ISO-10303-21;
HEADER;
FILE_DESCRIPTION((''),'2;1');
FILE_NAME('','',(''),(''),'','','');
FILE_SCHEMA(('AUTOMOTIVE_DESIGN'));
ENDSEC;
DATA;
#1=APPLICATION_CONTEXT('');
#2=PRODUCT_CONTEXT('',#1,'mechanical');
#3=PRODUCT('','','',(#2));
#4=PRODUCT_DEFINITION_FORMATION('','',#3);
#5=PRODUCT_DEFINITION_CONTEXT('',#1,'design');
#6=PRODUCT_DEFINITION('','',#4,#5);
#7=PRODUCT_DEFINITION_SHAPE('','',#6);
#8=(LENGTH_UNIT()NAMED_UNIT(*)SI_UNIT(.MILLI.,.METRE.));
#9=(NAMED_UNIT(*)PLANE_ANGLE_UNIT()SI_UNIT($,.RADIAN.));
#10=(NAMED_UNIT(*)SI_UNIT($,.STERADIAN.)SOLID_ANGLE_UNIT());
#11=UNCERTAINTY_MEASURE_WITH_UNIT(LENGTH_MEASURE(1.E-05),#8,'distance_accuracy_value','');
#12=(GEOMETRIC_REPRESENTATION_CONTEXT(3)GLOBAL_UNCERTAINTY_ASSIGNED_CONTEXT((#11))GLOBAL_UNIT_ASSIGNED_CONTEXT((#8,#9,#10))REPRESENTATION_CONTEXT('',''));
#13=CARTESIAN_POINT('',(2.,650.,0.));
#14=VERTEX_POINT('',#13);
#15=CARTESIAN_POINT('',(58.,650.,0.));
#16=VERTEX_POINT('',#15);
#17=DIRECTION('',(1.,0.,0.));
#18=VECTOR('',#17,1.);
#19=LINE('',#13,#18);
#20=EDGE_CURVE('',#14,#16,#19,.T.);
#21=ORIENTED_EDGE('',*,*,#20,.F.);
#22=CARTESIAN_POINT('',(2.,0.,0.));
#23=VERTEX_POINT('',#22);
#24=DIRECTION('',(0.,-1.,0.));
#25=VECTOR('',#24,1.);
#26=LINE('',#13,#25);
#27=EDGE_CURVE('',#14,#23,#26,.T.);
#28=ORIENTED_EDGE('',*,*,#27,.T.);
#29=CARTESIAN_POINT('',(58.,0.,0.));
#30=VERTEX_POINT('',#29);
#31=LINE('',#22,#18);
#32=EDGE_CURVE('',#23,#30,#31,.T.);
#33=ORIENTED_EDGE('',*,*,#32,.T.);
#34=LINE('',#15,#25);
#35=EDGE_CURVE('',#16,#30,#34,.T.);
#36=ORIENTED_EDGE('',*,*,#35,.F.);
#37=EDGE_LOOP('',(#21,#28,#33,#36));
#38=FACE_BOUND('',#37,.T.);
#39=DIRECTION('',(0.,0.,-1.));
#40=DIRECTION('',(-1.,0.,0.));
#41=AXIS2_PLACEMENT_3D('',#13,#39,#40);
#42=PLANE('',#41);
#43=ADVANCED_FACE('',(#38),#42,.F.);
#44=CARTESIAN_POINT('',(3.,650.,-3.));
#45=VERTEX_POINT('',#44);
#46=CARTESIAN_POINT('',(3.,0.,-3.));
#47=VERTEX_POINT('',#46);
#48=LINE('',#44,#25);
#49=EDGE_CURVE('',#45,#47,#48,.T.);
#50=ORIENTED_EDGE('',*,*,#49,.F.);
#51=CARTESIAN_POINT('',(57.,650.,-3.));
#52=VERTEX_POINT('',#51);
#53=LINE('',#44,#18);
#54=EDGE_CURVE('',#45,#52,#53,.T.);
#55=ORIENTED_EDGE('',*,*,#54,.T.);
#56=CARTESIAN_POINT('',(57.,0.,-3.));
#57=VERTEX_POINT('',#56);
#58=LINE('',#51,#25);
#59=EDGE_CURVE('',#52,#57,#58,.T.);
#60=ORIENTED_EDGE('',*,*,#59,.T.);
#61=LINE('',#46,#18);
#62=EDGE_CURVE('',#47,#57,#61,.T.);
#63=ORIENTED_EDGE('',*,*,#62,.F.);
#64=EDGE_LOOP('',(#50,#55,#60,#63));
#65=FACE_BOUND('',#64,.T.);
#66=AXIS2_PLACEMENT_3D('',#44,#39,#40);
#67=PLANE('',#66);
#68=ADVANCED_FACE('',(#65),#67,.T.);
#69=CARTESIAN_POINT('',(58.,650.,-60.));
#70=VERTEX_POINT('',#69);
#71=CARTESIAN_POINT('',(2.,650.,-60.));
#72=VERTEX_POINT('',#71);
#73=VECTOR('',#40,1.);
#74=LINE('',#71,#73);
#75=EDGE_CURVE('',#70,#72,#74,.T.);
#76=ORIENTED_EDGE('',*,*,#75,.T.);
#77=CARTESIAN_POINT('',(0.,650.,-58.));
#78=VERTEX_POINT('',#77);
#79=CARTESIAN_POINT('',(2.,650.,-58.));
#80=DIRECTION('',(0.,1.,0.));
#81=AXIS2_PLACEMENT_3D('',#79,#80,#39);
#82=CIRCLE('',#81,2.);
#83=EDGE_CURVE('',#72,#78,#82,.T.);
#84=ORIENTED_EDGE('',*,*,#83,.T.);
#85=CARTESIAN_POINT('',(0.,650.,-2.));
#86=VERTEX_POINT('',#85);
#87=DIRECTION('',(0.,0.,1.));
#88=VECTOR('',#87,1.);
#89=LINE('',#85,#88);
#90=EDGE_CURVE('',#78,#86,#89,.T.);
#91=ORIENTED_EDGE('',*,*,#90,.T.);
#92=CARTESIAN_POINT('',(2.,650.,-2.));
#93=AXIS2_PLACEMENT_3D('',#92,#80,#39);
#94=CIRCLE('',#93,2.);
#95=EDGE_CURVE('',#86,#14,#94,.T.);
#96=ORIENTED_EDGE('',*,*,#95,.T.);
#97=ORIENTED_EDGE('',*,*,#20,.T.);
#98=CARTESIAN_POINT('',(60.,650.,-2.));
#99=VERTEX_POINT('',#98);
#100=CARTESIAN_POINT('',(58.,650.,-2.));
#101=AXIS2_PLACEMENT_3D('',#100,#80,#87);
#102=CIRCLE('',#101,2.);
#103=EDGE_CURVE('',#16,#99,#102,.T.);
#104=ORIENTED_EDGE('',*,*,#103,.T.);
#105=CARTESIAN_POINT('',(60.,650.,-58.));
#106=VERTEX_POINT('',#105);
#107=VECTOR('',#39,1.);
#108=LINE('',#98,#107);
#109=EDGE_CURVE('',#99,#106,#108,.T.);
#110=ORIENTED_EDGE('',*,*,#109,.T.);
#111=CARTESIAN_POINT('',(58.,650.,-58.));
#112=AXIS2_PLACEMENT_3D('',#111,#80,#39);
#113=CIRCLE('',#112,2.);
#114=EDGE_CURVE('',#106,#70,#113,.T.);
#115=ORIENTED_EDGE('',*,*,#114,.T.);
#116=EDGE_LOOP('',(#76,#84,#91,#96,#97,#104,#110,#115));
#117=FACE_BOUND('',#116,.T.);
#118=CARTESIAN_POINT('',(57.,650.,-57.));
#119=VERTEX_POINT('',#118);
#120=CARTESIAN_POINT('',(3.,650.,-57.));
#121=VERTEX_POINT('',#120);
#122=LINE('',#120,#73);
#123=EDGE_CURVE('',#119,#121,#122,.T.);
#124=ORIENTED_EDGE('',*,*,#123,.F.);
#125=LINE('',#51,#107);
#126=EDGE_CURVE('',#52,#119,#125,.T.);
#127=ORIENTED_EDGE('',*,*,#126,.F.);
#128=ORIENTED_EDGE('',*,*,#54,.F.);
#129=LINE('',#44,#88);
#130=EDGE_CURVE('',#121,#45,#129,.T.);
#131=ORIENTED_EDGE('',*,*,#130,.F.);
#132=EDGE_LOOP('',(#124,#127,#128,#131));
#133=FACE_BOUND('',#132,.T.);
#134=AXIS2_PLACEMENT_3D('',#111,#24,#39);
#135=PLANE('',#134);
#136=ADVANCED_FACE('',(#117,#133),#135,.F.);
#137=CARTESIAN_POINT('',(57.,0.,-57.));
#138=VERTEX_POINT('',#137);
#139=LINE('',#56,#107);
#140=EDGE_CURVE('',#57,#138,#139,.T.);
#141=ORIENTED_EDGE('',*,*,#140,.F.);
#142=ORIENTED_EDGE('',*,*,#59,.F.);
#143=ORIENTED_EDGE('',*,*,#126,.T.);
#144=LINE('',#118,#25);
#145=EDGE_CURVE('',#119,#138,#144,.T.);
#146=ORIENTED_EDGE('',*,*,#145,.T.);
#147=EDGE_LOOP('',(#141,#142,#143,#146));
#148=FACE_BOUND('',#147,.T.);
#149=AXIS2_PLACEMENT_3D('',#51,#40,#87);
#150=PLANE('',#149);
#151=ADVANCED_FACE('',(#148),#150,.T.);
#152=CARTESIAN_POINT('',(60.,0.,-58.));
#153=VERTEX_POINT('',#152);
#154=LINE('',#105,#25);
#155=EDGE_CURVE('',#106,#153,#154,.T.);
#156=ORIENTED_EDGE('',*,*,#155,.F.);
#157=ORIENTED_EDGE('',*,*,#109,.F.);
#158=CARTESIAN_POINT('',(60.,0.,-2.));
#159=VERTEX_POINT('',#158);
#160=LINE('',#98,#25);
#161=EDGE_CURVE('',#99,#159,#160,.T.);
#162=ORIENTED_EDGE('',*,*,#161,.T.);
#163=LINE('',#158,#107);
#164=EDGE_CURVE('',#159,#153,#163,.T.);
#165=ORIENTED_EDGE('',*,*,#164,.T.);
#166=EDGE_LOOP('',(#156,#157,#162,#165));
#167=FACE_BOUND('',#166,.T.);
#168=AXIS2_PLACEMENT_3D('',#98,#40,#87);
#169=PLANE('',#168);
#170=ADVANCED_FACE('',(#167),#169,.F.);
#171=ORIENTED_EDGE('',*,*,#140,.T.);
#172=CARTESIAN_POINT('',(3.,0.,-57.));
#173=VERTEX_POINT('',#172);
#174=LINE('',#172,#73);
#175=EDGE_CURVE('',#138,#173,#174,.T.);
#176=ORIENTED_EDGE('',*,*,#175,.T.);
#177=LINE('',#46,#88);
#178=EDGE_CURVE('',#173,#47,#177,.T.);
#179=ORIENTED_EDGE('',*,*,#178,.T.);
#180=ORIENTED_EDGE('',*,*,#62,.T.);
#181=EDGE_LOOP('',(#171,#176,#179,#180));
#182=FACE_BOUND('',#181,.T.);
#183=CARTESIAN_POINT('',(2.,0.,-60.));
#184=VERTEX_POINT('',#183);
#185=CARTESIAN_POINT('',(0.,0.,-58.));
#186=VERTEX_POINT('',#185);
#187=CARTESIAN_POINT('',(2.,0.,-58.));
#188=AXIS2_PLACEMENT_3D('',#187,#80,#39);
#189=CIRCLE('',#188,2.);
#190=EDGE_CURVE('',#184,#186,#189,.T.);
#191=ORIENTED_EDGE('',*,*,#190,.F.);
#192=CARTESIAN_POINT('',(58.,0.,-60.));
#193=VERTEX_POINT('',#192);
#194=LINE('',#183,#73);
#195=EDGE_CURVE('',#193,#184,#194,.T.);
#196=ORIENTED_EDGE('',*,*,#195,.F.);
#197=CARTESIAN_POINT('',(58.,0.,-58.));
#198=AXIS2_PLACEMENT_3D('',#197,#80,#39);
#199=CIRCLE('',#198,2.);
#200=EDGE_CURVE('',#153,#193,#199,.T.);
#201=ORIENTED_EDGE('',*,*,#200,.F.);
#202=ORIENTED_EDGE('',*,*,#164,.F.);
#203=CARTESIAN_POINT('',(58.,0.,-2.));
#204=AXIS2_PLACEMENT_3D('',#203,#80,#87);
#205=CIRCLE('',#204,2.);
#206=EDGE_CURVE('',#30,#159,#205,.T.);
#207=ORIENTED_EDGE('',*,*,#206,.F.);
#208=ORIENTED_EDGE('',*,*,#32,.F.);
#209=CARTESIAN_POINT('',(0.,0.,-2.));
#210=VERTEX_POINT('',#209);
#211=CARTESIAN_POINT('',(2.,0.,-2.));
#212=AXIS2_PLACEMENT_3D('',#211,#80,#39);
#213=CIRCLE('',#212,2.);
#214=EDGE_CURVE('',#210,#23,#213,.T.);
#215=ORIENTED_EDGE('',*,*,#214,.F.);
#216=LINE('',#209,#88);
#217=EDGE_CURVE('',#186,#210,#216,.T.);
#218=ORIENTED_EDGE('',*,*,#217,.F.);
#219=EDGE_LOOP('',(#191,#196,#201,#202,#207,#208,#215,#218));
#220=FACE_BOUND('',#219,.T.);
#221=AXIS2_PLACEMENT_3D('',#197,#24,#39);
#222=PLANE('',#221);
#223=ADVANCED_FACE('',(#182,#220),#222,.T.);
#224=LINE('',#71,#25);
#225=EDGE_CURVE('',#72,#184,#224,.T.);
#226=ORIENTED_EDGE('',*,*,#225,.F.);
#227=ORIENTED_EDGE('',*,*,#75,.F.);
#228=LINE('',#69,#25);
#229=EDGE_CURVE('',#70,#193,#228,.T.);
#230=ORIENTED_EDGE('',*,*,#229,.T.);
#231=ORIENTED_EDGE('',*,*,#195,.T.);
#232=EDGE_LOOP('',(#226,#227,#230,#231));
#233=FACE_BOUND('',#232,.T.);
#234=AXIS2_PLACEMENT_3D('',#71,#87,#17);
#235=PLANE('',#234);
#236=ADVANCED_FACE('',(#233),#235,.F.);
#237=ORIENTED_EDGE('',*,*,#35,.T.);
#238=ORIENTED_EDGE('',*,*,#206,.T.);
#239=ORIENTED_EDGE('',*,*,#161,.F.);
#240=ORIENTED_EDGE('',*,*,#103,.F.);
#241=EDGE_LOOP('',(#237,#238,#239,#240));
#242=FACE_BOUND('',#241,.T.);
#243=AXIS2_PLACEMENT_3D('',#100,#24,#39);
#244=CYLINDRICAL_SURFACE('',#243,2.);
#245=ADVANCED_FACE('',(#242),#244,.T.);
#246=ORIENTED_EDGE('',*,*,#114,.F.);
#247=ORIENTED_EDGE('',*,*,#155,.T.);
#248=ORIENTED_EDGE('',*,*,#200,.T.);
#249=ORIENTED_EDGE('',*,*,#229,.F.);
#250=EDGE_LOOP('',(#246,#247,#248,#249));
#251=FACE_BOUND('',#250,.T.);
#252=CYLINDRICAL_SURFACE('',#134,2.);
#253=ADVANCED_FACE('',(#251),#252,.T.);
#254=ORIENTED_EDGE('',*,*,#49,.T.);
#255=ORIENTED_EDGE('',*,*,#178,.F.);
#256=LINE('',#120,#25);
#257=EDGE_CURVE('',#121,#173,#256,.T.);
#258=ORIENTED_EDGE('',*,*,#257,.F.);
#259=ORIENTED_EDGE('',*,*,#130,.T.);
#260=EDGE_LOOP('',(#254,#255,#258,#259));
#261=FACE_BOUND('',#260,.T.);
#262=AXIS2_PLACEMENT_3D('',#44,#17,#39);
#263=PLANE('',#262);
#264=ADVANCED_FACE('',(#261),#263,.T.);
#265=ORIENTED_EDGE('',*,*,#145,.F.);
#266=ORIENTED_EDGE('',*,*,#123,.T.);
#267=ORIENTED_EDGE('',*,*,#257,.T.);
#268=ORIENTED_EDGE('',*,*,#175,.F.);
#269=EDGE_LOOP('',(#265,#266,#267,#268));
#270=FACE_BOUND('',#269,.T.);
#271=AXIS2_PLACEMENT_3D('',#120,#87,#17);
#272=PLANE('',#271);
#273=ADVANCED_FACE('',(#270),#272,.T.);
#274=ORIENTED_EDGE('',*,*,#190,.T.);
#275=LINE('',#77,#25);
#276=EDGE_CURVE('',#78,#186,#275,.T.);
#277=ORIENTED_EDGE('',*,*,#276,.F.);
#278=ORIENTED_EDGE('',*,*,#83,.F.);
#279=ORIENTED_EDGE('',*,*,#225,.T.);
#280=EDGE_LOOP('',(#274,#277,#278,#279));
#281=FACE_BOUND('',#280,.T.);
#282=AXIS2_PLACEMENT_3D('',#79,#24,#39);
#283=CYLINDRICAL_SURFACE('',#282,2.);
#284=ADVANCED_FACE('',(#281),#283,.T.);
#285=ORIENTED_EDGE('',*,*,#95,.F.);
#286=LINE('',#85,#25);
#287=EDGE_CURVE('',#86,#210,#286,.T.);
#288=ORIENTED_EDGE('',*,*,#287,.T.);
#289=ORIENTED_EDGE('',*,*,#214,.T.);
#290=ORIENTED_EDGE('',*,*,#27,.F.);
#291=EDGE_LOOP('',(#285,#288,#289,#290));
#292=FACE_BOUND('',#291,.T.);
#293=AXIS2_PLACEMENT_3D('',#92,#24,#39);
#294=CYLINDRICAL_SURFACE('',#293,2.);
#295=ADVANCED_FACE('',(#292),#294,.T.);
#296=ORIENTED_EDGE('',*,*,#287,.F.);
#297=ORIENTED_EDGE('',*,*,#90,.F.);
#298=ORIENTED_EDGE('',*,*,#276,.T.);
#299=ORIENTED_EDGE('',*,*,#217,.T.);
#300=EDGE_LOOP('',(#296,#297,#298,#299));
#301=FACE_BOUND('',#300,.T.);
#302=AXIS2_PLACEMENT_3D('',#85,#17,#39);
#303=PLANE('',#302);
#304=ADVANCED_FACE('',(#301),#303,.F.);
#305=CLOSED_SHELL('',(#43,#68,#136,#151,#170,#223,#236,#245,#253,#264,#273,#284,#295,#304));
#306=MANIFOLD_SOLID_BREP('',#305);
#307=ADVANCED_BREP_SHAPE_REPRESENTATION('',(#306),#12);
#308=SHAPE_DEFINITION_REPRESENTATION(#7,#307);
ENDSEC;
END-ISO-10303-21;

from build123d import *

# Parameters (mm, degrees)
SKETCH1_W           = 54
SKETCH1_H           = 54
BOSS_EXTRUDE1_DEPTH = 650


with BuildPart() as part:
    # Sketch1 → Boss-Extrude1 (new body)
    with BuildSketch(Plane(origin=(0, 0, 0), x_dir=(1, 0, 0), z_dir=(0, 1, 0))):
        with BuildLine():
            Line((2, 0), (58, 0))
            ThreePointArc((58, 0), (59.414213562, 0.585786438), (60, 2))
            Line((60, 2), (60, 58))
            ThreePointArc((60, 58), (59.414213562, 59.414213562), (58, 60))
            Line((58, 60), (2, 60))
            ThreePointArc((2, 60), (0.585786438, 59.414213562), (0, 58))
            Line((0, 58), (0, 2))
            ThreePointArc((0, 2), (0.585786438, 0.585786438), (2, 0))
        make_face()
        with Locations((30, 30)):
            Rectangle(SKETCH1_W, SKETCH1_H, mode=Mode.SUBTRACT)
    extrude(amount=BOSS_EXTRUDE1_DEPTH)


solid = part.part
